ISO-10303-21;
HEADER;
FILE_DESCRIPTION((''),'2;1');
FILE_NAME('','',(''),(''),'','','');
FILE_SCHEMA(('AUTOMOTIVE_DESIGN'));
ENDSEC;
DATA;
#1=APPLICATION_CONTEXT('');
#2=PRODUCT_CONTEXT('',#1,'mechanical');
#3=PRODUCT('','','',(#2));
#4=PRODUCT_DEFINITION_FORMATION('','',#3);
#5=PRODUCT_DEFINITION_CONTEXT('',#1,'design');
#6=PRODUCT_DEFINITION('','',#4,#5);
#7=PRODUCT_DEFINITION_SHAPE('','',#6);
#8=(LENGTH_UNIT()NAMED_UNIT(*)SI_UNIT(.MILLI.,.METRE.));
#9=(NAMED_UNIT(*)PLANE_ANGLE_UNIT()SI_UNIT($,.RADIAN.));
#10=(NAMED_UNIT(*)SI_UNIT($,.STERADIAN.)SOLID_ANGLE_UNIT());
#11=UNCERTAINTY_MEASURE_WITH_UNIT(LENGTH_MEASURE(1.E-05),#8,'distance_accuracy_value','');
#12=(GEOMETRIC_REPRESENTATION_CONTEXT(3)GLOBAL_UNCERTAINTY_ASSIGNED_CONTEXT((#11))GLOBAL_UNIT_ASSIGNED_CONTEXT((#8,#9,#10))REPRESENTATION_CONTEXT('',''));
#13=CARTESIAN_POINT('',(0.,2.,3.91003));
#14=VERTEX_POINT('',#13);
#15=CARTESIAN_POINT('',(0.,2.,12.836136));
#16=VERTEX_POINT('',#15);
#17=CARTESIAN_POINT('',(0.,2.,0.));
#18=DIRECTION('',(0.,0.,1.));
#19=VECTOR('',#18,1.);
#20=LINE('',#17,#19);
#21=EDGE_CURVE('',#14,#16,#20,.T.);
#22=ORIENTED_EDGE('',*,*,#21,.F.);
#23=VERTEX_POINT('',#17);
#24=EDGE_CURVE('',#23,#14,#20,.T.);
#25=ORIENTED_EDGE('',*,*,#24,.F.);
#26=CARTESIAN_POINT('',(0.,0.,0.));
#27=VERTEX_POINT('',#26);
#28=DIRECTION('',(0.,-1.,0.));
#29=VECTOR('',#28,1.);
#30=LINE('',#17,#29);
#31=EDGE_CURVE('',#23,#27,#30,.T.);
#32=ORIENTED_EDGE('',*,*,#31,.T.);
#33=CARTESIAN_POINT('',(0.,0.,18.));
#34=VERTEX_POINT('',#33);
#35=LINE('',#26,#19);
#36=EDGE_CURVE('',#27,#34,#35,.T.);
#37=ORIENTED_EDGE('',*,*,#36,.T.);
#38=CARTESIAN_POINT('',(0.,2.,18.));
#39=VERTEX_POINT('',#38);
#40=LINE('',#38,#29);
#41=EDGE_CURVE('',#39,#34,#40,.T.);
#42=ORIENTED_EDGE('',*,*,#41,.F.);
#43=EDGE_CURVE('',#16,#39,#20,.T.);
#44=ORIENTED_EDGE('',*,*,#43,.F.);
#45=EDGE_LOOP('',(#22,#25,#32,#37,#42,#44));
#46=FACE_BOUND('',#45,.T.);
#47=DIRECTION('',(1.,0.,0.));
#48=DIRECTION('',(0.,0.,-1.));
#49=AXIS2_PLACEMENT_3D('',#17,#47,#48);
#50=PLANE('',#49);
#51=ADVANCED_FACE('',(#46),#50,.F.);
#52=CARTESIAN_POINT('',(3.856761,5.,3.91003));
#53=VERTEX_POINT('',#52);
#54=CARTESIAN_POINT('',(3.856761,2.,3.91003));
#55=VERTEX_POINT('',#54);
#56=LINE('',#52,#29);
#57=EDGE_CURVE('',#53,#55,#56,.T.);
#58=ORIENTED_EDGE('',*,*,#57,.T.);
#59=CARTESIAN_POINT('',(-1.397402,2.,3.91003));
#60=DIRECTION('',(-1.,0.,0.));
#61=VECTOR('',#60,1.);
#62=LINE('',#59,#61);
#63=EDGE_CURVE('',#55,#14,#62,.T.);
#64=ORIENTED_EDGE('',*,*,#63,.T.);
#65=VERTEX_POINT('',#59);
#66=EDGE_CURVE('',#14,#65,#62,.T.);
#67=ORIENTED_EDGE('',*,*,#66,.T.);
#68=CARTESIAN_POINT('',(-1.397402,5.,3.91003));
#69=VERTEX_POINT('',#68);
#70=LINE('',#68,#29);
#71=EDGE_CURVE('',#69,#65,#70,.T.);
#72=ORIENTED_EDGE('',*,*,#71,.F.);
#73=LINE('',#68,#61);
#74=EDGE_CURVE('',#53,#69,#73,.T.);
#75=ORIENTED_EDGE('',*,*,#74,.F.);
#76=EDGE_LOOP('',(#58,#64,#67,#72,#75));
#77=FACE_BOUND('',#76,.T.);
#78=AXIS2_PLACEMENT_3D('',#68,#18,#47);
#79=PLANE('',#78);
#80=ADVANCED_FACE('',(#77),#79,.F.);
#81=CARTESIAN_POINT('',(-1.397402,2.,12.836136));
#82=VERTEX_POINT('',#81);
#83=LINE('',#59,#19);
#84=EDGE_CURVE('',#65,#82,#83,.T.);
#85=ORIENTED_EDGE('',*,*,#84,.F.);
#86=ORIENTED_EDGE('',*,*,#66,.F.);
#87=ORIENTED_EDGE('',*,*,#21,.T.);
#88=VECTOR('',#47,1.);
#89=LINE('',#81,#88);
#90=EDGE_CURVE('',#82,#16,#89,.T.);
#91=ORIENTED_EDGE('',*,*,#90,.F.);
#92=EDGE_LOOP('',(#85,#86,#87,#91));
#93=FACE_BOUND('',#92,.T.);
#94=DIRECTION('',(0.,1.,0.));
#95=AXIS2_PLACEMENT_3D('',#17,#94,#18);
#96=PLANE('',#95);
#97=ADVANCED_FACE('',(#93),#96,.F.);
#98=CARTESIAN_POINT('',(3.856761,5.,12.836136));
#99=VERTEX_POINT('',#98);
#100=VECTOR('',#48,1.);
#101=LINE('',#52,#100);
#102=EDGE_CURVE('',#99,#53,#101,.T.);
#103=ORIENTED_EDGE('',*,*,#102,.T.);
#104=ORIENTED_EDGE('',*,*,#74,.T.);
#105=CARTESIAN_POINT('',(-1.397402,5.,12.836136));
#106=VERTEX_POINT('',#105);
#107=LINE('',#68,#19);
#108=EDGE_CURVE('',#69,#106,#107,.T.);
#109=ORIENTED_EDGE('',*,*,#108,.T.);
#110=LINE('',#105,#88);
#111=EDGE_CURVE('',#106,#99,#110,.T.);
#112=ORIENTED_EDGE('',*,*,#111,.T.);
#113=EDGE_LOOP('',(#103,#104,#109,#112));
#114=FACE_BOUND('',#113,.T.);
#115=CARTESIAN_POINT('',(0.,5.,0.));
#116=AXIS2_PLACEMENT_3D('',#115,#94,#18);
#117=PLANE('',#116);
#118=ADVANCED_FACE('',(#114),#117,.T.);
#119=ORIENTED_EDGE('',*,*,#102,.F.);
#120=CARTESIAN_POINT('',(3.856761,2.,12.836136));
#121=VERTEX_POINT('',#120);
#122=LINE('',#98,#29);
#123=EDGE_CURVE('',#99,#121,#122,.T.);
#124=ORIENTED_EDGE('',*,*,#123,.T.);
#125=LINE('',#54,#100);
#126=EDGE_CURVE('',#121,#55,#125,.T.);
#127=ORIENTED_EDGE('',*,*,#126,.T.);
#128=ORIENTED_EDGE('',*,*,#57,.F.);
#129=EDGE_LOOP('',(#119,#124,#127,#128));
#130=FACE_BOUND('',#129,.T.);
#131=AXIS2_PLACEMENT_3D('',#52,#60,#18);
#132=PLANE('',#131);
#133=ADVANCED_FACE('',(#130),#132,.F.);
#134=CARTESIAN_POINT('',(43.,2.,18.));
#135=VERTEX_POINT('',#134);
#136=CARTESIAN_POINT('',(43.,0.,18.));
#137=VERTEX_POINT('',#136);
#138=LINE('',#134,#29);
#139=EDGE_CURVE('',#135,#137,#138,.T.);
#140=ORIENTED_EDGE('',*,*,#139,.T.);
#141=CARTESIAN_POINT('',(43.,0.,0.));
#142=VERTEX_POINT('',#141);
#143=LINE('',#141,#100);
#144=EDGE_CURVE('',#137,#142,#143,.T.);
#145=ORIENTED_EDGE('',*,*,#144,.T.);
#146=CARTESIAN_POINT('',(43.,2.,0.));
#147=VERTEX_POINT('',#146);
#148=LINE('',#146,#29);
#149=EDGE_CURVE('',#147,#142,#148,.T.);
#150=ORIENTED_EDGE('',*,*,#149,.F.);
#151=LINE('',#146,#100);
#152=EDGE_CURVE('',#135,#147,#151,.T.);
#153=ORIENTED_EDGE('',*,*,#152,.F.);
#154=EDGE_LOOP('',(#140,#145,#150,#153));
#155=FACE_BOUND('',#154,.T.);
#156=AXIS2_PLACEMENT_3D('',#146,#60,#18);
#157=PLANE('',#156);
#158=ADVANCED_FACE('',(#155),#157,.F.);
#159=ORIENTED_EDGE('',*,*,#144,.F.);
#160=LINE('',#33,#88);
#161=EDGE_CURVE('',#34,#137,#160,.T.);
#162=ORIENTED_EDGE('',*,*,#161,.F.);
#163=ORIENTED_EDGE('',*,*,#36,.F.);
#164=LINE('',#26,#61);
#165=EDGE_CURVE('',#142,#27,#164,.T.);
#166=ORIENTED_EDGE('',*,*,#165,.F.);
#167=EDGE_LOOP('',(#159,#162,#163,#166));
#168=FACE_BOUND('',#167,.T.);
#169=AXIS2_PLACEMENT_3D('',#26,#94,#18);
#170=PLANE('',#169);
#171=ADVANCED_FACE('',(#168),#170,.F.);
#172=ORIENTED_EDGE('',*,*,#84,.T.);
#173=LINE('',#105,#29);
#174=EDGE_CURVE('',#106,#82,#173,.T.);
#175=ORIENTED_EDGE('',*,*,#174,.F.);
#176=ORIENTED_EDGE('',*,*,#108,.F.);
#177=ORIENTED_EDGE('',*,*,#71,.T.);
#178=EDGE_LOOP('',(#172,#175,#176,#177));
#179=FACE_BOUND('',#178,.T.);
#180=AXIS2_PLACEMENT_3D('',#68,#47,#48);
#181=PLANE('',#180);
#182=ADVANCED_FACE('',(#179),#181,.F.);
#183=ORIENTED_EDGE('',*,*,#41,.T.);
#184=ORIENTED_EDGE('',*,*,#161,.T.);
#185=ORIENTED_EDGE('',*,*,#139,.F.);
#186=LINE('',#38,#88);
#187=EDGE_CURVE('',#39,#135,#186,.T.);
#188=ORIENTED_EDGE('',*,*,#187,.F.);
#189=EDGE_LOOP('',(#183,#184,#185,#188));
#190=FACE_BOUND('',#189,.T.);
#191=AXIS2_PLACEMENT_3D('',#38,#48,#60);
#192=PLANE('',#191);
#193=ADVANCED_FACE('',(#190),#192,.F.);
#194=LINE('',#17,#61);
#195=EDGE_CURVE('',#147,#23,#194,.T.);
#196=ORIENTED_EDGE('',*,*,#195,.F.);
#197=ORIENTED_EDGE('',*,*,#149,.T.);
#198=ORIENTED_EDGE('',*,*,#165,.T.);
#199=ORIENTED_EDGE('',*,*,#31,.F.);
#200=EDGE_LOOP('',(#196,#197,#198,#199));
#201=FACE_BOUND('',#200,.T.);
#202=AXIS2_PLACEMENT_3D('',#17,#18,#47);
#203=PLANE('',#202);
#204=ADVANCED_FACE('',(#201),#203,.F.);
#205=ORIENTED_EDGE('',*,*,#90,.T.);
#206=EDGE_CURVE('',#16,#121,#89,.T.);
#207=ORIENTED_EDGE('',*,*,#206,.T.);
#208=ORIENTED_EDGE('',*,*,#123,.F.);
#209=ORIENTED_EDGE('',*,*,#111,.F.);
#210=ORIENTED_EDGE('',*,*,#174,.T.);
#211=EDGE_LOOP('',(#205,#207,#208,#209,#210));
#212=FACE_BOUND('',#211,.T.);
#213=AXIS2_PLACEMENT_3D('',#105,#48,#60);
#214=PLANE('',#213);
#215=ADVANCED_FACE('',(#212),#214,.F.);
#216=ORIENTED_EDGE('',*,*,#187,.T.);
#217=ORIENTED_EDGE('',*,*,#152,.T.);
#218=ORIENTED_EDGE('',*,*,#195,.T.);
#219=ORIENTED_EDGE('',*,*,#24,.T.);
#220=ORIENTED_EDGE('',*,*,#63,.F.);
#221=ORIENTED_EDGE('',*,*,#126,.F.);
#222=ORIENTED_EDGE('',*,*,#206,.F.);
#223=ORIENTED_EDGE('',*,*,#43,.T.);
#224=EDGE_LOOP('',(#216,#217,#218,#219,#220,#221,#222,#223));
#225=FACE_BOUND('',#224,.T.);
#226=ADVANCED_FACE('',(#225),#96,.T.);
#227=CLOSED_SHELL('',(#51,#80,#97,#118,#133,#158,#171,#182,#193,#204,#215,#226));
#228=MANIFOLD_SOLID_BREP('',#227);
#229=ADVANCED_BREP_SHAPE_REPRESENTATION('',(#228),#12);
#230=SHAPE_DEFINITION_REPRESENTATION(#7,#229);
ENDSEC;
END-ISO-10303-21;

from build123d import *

# Parameters (mm, degrees)
SKETCH1_W           = 43
SKETCH1_H           = 18
BOSS_EXTRUDE1_DEPTH = 2
SKETCH2_W           = 5.254162635
SKETCH2_H           = 8.926105841
BOSS_EXTRUDE2_DEPTH = 3


with BuildPart() as part:
    # Sketch1 → Boss-Extrude1 (new body)
    with BuildSketch(Plane(origin=(0, 0, 0), x_dir=(1, 0, 0), z_dir=(0, 1, 0))):
        with Locations((21.5, -9)):
            Rectangle(SKETCH1_W, SKETCH1_H)
    extrude(amount=BOSS_EXTRUDE1_DEPTH)

    # Sketch2 → Boss-Extrude2 (add)
    with BuildSketch(Plane(origin=(0, 2, 0), x_dir=(1, 0, 0), z_dir=(0, 1, 0))):
        with Locations((1.22967938, -8.373082868)):
            Rectangle(SKETCH2_W, SKETCH2_H)
    extrude(amount=BOSS_EXTRUDE2_DEPTH)


solid = part.part
